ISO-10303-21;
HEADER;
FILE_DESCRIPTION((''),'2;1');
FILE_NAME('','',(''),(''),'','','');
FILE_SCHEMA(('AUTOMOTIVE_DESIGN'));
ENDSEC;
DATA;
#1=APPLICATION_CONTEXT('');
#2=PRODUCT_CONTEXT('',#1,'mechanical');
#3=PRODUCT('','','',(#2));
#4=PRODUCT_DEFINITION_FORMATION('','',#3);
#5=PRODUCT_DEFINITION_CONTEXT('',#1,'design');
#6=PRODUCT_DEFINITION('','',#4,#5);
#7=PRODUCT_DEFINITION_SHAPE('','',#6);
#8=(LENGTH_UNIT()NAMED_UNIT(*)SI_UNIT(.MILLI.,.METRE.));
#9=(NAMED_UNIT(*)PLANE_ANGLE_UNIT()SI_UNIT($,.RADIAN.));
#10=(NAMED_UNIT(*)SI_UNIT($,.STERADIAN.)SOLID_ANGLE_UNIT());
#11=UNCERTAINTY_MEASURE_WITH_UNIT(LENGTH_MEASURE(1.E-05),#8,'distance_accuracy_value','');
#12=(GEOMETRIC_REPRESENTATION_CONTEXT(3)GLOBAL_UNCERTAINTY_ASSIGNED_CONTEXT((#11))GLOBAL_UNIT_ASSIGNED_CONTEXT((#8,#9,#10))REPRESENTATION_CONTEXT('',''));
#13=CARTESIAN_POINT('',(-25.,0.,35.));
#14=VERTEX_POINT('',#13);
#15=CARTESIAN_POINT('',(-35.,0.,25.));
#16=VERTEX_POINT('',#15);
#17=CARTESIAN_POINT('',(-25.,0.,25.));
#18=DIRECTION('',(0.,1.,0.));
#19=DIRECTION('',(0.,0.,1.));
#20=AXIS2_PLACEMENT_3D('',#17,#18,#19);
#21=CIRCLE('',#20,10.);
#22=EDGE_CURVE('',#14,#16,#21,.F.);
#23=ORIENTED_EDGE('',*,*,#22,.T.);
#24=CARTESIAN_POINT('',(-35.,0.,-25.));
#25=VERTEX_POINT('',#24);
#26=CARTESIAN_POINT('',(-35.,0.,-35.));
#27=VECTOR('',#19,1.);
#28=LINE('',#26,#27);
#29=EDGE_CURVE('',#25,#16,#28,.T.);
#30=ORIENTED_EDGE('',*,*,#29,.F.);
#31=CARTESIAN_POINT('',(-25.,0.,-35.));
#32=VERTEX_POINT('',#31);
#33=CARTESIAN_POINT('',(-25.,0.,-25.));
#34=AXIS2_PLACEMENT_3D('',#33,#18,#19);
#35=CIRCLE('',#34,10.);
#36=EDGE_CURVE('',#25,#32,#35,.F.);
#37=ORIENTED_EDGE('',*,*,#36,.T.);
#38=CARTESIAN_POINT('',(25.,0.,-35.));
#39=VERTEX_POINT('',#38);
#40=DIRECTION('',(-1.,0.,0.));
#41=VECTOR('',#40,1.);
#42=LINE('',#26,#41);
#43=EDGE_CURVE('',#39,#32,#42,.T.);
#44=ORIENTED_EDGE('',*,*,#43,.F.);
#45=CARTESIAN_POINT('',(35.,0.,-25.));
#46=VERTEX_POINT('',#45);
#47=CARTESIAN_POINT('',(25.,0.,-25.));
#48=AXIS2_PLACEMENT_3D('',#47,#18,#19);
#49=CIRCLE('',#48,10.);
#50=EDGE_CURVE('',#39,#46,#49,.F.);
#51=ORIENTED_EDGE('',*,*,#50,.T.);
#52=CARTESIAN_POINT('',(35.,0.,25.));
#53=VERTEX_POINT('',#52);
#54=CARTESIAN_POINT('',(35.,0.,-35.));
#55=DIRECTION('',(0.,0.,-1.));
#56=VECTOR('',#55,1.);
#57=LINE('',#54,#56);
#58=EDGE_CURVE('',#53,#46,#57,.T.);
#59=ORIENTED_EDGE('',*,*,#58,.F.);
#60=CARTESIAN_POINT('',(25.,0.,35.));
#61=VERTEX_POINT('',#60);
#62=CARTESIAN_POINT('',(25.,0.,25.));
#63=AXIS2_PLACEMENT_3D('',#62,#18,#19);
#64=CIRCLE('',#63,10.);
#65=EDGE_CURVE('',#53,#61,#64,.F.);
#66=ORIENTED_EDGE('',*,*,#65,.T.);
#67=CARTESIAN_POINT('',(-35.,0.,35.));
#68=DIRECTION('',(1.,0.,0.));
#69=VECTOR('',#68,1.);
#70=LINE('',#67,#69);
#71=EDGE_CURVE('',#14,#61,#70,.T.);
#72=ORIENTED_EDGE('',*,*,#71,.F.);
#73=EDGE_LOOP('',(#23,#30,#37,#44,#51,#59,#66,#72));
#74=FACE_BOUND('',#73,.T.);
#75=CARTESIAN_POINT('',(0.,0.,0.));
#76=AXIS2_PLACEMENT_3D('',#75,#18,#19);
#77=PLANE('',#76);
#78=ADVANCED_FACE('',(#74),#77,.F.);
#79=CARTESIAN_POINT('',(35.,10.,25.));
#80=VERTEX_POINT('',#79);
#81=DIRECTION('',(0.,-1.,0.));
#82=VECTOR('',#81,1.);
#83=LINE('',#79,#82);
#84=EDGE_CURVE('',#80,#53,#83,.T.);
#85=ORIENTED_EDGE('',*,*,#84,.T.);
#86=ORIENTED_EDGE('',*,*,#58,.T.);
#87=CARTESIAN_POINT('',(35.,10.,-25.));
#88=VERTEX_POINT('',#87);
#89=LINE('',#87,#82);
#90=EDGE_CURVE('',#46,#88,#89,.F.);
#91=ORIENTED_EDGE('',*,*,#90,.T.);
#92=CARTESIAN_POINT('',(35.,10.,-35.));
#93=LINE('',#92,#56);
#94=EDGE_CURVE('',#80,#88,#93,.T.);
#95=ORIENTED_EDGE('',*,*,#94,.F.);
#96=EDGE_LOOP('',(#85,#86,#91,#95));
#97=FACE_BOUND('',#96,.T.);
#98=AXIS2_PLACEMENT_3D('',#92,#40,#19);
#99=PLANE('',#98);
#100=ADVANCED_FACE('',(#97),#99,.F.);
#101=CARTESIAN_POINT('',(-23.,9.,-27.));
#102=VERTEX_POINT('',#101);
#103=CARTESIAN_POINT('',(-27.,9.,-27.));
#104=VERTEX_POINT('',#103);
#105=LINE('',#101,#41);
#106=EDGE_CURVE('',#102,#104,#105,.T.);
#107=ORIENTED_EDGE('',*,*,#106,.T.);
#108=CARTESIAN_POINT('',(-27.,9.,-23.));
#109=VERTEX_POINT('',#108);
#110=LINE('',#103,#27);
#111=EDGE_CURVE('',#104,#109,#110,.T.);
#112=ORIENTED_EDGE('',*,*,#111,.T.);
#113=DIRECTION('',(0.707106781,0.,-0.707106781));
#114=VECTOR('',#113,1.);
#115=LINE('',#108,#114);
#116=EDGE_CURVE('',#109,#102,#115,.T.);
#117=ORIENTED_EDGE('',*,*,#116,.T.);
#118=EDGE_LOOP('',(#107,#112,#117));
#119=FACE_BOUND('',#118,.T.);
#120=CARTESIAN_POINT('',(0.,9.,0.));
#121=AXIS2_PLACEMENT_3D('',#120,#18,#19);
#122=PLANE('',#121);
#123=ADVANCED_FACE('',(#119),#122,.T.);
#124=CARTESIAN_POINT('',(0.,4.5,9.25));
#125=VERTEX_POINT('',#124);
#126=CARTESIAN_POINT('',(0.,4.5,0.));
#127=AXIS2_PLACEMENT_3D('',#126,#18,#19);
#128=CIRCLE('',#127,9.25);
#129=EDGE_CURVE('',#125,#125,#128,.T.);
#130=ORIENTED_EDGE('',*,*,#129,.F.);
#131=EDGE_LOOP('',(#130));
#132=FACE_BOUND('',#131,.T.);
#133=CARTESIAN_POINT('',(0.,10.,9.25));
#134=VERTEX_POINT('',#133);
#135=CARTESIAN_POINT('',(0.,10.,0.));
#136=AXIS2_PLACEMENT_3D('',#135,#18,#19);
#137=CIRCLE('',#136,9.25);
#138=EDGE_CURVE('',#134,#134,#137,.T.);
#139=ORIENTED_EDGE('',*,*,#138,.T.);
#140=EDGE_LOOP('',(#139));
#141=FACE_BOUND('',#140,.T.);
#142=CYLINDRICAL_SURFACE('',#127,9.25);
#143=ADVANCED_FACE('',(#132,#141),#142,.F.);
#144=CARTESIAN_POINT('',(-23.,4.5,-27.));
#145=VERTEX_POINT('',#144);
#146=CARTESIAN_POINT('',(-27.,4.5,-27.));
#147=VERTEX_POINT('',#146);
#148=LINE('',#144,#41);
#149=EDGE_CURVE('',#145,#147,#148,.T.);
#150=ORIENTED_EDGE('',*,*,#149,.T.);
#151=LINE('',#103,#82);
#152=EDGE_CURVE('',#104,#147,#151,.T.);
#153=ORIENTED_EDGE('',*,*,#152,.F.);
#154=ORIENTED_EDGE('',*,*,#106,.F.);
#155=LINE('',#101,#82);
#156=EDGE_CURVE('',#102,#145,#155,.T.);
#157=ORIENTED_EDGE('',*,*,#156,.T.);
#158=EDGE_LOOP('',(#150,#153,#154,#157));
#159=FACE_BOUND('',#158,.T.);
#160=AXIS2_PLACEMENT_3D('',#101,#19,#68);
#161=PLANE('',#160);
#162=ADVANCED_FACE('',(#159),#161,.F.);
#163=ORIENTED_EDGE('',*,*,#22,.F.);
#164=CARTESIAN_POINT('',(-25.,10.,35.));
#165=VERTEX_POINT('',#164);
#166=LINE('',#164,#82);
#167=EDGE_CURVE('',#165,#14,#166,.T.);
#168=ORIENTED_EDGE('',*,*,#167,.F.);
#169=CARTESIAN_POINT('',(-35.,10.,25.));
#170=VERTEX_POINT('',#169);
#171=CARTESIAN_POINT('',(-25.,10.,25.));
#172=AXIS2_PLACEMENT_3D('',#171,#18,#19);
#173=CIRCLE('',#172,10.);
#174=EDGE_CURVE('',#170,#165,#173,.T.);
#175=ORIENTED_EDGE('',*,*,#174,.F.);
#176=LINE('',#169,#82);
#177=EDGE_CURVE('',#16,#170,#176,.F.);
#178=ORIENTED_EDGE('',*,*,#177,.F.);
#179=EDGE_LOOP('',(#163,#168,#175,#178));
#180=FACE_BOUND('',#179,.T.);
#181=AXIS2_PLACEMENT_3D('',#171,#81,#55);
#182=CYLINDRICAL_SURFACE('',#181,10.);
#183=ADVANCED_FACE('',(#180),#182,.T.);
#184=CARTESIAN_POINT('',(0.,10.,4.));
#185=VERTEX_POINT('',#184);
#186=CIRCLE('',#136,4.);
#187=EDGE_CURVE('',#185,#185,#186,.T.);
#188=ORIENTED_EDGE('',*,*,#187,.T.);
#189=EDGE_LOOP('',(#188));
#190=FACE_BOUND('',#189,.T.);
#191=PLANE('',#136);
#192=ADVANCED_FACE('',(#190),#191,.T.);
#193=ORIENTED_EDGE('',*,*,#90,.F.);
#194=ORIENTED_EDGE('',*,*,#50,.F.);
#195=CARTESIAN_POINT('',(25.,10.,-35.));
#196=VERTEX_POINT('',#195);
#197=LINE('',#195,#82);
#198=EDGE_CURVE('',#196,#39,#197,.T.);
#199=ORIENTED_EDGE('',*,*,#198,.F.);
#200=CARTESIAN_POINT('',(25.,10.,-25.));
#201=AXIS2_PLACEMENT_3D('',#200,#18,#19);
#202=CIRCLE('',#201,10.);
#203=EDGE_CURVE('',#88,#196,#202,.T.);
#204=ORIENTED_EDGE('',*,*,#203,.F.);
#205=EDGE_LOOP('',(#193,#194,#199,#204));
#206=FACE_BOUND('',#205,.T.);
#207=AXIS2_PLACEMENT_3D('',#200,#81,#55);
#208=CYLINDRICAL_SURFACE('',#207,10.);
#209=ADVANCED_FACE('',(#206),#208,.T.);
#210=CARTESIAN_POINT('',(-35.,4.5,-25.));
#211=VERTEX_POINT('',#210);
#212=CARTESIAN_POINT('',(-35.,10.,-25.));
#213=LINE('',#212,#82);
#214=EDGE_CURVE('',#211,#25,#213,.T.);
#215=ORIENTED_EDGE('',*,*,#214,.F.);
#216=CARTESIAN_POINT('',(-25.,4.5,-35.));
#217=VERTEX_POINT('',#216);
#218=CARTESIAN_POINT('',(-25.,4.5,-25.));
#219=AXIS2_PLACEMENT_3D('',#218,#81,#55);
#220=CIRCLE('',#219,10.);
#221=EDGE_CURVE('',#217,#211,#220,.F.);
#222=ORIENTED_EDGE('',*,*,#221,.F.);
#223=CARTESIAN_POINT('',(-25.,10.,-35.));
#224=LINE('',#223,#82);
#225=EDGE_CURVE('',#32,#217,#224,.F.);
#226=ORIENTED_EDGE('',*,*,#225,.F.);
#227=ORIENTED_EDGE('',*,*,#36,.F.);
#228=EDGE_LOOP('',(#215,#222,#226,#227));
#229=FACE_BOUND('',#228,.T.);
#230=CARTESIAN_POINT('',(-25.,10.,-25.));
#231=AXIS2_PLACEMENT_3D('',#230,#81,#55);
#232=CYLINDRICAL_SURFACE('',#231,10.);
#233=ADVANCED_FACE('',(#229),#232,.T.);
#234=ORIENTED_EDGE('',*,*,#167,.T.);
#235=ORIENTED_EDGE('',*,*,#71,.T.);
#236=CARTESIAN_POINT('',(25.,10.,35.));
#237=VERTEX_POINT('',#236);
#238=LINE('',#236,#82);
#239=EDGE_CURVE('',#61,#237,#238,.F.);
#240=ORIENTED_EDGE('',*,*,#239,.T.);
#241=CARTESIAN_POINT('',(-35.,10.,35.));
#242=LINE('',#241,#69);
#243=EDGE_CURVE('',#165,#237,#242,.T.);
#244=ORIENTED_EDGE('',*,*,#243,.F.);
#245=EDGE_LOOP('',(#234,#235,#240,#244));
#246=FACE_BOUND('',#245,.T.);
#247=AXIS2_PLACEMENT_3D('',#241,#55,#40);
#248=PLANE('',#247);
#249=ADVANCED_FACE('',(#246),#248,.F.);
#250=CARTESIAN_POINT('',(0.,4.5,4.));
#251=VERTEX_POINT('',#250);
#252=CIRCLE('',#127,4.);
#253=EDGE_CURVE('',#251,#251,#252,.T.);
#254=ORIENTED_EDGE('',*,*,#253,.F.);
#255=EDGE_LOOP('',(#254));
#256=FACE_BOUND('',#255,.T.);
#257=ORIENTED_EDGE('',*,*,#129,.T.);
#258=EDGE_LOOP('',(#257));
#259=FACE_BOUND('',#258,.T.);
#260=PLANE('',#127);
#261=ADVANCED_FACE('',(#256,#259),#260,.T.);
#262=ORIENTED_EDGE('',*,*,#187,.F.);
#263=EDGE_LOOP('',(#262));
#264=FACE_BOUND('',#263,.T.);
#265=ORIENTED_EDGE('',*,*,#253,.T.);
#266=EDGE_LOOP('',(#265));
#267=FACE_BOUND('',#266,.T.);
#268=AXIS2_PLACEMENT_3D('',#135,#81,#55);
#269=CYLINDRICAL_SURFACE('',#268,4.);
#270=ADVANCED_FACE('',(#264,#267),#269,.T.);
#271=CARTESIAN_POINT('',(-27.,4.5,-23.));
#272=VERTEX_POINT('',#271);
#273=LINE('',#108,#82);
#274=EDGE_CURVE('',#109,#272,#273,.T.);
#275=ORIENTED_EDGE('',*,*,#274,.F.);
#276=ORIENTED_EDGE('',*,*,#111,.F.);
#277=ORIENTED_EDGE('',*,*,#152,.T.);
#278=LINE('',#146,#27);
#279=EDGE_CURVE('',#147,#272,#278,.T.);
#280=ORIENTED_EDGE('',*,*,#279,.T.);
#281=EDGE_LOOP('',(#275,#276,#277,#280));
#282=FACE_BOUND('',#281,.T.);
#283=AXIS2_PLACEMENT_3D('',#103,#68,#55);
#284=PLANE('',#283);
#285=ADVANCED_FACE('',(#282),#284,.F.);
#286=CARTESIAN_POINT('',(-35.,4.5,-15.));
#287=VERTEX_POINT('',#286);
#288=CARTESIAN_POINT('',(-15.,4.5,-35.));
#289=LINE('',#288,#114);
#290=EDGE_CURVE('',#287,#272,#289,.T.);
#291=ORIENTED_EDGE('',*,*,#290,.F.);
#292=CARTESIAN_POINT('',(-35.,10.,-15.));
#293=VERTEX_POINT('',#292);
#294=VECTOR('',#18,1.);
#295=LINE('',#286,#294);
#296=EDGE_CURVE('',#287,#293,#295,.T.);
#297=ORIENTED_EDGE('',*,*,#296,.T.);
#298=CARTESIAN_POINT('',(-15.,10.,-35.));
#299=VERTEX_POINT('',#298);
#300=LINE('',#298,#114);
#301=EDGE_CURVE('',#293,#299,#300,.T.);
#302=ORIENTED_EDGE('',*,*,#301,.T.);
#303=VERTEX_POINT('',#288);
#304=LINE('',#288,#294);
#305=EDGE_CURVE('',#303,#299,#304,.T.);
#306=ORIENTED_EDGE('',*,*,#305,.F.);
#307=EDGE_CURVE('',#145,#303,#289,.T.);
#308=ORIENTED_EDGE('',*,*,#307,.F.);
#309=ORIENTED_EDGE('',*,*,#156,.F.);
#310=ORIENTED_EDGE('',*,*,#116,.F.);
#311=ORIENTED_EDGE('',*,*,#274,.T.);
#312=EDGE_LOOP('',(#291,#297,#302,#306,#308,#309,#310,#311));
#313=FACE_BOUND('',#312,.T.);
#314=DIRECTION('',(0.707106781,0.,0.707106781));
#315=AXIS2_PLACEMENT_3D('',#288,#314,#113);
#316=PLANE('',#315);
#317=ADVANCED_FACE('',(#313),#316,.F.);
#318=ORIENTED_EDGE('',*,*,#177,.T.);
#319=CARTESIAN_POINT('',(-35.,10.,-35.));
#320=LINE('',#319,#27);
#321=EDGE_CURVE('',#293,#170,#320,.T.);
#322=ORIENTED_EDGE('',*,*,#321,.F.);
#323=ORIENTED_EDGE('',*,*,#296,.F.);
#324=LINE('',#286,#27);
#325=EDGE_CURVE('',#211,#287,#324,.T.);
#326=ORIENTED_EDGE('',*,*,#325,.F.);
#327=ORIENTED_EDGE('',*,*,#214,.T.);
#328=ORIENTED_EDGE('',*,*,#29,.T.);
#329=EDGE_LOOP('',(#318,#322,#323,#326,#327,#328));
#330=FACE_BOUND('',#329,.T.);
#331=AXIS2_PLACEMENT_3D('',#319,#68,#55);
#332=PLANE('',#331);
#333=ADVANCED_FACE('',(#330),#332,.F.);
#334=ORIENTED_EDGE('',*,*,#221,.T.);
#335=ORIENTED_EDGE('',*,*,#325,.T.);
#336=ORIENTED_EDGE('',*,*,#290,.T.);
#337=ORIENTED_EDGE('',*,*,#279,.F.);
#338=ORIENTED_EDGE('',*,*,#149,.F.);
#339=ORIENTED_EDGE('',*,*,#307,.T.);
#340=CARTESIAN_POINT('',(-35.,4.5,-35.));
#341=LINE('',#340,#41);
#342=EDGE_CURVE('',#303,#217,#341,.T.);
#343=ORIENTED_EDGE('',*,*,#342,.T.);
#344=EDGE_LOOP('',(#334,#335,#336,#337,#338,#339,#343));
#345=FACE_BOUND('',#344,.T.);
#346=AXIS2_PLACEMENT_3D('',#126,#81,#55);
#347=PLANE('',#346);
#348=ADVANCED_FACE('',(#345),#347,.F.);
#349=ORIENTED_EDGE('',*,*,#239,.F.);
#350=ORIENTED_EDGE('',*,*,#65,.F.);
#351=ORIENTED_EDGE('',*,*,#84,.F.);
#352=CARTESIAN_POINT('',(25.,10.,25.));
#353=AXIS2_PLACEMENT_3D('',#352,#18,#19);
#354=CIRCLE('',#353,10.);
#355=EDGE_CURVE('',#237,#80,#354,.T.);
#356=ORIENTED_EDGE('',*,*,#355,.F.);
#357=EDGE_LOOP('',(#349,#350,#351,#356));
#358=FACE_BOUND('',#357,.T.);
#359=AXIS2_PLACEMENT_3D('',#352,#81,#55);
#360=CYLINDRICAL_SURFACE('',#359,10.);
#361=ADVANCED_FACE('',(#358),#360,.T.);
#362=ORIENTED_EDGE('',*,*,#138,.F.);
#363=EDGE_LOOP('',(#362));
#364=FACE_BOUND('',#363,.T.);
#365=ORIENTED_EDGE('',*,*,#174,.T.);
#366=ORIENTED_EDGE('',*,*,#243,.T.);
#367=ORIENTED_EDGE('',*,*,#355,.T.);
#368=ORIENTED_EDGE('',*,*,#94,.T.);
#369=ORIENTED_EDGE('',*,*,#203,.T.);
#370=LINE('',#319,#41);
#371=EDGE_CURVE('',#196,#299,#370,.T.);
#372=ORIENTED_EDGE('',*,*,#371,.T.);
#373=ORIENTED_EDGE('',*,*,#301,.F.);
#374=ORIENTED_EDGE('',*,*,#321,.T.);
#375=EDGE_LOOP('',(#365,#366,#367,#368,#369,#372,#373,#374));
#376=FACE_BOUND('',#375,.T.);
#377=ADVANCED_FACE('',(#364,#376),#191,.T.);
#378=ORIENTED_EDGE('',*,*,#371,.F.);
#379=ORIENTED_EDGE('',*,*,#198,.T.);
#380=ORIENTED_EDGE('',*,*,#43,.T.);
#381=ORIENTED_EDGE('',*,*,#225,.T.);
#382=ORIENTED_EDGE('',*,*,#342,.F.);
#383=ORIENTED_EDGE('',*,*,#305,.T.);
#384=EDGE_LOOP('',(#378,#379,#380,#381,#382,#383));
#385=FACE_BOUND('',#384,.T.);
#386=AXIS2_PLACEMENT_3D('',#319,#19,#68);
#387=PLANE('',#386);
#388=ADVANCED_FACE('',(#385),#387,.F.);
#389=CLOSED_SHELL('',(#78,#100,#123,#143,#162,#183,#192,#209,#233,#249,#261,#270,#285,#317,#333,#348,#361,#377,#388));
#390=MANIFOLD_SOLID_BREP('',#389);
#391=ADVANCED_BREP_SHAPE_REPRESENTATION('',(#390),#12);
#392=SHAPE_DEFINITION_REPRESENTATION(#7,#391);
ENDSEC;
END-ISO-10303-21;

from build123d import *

# Parameters (mm, degrees)
SKETCH_1_W          = 70
SKETCH_1_H          = 70
EXTRUDE_1_DEPTH     = 10
SKETCH_2_R          = 9.25
CUT_EXTRUDE_1_DEPTH = 5.5
SKETCH_3_R          = 4
EXTRUDE_2_DEPTH     = 5.5
CUT_EXTRUDE_2_DEPTH = 5.5
EXTRUDE_3_DEPTH     = 4.5
FILLET_1_R          = 10


with BuildPart() as part:
    # 草图1 → 凸台-拉伸1 (new body)
    with BuildSketch(Plane(origin=(0, 0, 0), x_dir=(1, 0, 0), z_dir=(0, 1, 0))):
        Rectangle(SKETCH_1_W, SKETCH_1_H)
    extrude(amount=EXTRUDE_1_DEPTH)

    # 草图2 → 切除-拉伸1 (cut)
    with BuildSketch(Plane(origin=(0, 10, 0), x_dir=(1, 0, 0), z_dir=(0, 1, 0))):
        Circle(SKETCH_2_R)
    extrude(amount=-CUT_EXTRUDE_1_DEPTH, mode=Mode.SUBTRACT)

    # 草图3 → 凸台-拉伸2 (add)
    with BuildSketch(Plane(origin=(0, 4.5, 0), x_dir=(1, 0, 0), z_dir=(0, 1, 0))):
        Circle(SKETCH_3_R)
    extrude(amount=EXTRUDE_2_DEPTH)

    # 草图4 → 切除-拉伸2 (cut)
    with BuildSketch(Plane(origin=(0, 10, 0), x_dir=(1, 0, 0), z_dir=(0, 1, 0))):
        Polygon((-35, 35), (-15, 35), (-35, 15), align=None)
    extrude(amount=-CUT_EXTRUDE_2_DEPTH, mode=Mode.SUBTRACT)

    # 草图5 → 凸台-拉伸3 (add)
    with BuildSketch(Plane(origin=(0, 4.5, 0), x_dir=(1, 0, 0), z_dir=(0, 1, 0))):
        Polygon((-23, 27), (-27, 27), (-27, 23), align=None)
    extrude(amount=EXTRUDE_3_DEPTH)

    # 圆角1
    fillet_1_edges = [part.edges().sort_by_distance(p)[0] for p in [
        (-35, 2.25, -35),
        (35, 5, 35),
        (-35, 5, 35),
        (35, 5, -35),
    ]]
    fillet(fillet_1_edges, radius=FILLET_1_R)


solid = part.part
